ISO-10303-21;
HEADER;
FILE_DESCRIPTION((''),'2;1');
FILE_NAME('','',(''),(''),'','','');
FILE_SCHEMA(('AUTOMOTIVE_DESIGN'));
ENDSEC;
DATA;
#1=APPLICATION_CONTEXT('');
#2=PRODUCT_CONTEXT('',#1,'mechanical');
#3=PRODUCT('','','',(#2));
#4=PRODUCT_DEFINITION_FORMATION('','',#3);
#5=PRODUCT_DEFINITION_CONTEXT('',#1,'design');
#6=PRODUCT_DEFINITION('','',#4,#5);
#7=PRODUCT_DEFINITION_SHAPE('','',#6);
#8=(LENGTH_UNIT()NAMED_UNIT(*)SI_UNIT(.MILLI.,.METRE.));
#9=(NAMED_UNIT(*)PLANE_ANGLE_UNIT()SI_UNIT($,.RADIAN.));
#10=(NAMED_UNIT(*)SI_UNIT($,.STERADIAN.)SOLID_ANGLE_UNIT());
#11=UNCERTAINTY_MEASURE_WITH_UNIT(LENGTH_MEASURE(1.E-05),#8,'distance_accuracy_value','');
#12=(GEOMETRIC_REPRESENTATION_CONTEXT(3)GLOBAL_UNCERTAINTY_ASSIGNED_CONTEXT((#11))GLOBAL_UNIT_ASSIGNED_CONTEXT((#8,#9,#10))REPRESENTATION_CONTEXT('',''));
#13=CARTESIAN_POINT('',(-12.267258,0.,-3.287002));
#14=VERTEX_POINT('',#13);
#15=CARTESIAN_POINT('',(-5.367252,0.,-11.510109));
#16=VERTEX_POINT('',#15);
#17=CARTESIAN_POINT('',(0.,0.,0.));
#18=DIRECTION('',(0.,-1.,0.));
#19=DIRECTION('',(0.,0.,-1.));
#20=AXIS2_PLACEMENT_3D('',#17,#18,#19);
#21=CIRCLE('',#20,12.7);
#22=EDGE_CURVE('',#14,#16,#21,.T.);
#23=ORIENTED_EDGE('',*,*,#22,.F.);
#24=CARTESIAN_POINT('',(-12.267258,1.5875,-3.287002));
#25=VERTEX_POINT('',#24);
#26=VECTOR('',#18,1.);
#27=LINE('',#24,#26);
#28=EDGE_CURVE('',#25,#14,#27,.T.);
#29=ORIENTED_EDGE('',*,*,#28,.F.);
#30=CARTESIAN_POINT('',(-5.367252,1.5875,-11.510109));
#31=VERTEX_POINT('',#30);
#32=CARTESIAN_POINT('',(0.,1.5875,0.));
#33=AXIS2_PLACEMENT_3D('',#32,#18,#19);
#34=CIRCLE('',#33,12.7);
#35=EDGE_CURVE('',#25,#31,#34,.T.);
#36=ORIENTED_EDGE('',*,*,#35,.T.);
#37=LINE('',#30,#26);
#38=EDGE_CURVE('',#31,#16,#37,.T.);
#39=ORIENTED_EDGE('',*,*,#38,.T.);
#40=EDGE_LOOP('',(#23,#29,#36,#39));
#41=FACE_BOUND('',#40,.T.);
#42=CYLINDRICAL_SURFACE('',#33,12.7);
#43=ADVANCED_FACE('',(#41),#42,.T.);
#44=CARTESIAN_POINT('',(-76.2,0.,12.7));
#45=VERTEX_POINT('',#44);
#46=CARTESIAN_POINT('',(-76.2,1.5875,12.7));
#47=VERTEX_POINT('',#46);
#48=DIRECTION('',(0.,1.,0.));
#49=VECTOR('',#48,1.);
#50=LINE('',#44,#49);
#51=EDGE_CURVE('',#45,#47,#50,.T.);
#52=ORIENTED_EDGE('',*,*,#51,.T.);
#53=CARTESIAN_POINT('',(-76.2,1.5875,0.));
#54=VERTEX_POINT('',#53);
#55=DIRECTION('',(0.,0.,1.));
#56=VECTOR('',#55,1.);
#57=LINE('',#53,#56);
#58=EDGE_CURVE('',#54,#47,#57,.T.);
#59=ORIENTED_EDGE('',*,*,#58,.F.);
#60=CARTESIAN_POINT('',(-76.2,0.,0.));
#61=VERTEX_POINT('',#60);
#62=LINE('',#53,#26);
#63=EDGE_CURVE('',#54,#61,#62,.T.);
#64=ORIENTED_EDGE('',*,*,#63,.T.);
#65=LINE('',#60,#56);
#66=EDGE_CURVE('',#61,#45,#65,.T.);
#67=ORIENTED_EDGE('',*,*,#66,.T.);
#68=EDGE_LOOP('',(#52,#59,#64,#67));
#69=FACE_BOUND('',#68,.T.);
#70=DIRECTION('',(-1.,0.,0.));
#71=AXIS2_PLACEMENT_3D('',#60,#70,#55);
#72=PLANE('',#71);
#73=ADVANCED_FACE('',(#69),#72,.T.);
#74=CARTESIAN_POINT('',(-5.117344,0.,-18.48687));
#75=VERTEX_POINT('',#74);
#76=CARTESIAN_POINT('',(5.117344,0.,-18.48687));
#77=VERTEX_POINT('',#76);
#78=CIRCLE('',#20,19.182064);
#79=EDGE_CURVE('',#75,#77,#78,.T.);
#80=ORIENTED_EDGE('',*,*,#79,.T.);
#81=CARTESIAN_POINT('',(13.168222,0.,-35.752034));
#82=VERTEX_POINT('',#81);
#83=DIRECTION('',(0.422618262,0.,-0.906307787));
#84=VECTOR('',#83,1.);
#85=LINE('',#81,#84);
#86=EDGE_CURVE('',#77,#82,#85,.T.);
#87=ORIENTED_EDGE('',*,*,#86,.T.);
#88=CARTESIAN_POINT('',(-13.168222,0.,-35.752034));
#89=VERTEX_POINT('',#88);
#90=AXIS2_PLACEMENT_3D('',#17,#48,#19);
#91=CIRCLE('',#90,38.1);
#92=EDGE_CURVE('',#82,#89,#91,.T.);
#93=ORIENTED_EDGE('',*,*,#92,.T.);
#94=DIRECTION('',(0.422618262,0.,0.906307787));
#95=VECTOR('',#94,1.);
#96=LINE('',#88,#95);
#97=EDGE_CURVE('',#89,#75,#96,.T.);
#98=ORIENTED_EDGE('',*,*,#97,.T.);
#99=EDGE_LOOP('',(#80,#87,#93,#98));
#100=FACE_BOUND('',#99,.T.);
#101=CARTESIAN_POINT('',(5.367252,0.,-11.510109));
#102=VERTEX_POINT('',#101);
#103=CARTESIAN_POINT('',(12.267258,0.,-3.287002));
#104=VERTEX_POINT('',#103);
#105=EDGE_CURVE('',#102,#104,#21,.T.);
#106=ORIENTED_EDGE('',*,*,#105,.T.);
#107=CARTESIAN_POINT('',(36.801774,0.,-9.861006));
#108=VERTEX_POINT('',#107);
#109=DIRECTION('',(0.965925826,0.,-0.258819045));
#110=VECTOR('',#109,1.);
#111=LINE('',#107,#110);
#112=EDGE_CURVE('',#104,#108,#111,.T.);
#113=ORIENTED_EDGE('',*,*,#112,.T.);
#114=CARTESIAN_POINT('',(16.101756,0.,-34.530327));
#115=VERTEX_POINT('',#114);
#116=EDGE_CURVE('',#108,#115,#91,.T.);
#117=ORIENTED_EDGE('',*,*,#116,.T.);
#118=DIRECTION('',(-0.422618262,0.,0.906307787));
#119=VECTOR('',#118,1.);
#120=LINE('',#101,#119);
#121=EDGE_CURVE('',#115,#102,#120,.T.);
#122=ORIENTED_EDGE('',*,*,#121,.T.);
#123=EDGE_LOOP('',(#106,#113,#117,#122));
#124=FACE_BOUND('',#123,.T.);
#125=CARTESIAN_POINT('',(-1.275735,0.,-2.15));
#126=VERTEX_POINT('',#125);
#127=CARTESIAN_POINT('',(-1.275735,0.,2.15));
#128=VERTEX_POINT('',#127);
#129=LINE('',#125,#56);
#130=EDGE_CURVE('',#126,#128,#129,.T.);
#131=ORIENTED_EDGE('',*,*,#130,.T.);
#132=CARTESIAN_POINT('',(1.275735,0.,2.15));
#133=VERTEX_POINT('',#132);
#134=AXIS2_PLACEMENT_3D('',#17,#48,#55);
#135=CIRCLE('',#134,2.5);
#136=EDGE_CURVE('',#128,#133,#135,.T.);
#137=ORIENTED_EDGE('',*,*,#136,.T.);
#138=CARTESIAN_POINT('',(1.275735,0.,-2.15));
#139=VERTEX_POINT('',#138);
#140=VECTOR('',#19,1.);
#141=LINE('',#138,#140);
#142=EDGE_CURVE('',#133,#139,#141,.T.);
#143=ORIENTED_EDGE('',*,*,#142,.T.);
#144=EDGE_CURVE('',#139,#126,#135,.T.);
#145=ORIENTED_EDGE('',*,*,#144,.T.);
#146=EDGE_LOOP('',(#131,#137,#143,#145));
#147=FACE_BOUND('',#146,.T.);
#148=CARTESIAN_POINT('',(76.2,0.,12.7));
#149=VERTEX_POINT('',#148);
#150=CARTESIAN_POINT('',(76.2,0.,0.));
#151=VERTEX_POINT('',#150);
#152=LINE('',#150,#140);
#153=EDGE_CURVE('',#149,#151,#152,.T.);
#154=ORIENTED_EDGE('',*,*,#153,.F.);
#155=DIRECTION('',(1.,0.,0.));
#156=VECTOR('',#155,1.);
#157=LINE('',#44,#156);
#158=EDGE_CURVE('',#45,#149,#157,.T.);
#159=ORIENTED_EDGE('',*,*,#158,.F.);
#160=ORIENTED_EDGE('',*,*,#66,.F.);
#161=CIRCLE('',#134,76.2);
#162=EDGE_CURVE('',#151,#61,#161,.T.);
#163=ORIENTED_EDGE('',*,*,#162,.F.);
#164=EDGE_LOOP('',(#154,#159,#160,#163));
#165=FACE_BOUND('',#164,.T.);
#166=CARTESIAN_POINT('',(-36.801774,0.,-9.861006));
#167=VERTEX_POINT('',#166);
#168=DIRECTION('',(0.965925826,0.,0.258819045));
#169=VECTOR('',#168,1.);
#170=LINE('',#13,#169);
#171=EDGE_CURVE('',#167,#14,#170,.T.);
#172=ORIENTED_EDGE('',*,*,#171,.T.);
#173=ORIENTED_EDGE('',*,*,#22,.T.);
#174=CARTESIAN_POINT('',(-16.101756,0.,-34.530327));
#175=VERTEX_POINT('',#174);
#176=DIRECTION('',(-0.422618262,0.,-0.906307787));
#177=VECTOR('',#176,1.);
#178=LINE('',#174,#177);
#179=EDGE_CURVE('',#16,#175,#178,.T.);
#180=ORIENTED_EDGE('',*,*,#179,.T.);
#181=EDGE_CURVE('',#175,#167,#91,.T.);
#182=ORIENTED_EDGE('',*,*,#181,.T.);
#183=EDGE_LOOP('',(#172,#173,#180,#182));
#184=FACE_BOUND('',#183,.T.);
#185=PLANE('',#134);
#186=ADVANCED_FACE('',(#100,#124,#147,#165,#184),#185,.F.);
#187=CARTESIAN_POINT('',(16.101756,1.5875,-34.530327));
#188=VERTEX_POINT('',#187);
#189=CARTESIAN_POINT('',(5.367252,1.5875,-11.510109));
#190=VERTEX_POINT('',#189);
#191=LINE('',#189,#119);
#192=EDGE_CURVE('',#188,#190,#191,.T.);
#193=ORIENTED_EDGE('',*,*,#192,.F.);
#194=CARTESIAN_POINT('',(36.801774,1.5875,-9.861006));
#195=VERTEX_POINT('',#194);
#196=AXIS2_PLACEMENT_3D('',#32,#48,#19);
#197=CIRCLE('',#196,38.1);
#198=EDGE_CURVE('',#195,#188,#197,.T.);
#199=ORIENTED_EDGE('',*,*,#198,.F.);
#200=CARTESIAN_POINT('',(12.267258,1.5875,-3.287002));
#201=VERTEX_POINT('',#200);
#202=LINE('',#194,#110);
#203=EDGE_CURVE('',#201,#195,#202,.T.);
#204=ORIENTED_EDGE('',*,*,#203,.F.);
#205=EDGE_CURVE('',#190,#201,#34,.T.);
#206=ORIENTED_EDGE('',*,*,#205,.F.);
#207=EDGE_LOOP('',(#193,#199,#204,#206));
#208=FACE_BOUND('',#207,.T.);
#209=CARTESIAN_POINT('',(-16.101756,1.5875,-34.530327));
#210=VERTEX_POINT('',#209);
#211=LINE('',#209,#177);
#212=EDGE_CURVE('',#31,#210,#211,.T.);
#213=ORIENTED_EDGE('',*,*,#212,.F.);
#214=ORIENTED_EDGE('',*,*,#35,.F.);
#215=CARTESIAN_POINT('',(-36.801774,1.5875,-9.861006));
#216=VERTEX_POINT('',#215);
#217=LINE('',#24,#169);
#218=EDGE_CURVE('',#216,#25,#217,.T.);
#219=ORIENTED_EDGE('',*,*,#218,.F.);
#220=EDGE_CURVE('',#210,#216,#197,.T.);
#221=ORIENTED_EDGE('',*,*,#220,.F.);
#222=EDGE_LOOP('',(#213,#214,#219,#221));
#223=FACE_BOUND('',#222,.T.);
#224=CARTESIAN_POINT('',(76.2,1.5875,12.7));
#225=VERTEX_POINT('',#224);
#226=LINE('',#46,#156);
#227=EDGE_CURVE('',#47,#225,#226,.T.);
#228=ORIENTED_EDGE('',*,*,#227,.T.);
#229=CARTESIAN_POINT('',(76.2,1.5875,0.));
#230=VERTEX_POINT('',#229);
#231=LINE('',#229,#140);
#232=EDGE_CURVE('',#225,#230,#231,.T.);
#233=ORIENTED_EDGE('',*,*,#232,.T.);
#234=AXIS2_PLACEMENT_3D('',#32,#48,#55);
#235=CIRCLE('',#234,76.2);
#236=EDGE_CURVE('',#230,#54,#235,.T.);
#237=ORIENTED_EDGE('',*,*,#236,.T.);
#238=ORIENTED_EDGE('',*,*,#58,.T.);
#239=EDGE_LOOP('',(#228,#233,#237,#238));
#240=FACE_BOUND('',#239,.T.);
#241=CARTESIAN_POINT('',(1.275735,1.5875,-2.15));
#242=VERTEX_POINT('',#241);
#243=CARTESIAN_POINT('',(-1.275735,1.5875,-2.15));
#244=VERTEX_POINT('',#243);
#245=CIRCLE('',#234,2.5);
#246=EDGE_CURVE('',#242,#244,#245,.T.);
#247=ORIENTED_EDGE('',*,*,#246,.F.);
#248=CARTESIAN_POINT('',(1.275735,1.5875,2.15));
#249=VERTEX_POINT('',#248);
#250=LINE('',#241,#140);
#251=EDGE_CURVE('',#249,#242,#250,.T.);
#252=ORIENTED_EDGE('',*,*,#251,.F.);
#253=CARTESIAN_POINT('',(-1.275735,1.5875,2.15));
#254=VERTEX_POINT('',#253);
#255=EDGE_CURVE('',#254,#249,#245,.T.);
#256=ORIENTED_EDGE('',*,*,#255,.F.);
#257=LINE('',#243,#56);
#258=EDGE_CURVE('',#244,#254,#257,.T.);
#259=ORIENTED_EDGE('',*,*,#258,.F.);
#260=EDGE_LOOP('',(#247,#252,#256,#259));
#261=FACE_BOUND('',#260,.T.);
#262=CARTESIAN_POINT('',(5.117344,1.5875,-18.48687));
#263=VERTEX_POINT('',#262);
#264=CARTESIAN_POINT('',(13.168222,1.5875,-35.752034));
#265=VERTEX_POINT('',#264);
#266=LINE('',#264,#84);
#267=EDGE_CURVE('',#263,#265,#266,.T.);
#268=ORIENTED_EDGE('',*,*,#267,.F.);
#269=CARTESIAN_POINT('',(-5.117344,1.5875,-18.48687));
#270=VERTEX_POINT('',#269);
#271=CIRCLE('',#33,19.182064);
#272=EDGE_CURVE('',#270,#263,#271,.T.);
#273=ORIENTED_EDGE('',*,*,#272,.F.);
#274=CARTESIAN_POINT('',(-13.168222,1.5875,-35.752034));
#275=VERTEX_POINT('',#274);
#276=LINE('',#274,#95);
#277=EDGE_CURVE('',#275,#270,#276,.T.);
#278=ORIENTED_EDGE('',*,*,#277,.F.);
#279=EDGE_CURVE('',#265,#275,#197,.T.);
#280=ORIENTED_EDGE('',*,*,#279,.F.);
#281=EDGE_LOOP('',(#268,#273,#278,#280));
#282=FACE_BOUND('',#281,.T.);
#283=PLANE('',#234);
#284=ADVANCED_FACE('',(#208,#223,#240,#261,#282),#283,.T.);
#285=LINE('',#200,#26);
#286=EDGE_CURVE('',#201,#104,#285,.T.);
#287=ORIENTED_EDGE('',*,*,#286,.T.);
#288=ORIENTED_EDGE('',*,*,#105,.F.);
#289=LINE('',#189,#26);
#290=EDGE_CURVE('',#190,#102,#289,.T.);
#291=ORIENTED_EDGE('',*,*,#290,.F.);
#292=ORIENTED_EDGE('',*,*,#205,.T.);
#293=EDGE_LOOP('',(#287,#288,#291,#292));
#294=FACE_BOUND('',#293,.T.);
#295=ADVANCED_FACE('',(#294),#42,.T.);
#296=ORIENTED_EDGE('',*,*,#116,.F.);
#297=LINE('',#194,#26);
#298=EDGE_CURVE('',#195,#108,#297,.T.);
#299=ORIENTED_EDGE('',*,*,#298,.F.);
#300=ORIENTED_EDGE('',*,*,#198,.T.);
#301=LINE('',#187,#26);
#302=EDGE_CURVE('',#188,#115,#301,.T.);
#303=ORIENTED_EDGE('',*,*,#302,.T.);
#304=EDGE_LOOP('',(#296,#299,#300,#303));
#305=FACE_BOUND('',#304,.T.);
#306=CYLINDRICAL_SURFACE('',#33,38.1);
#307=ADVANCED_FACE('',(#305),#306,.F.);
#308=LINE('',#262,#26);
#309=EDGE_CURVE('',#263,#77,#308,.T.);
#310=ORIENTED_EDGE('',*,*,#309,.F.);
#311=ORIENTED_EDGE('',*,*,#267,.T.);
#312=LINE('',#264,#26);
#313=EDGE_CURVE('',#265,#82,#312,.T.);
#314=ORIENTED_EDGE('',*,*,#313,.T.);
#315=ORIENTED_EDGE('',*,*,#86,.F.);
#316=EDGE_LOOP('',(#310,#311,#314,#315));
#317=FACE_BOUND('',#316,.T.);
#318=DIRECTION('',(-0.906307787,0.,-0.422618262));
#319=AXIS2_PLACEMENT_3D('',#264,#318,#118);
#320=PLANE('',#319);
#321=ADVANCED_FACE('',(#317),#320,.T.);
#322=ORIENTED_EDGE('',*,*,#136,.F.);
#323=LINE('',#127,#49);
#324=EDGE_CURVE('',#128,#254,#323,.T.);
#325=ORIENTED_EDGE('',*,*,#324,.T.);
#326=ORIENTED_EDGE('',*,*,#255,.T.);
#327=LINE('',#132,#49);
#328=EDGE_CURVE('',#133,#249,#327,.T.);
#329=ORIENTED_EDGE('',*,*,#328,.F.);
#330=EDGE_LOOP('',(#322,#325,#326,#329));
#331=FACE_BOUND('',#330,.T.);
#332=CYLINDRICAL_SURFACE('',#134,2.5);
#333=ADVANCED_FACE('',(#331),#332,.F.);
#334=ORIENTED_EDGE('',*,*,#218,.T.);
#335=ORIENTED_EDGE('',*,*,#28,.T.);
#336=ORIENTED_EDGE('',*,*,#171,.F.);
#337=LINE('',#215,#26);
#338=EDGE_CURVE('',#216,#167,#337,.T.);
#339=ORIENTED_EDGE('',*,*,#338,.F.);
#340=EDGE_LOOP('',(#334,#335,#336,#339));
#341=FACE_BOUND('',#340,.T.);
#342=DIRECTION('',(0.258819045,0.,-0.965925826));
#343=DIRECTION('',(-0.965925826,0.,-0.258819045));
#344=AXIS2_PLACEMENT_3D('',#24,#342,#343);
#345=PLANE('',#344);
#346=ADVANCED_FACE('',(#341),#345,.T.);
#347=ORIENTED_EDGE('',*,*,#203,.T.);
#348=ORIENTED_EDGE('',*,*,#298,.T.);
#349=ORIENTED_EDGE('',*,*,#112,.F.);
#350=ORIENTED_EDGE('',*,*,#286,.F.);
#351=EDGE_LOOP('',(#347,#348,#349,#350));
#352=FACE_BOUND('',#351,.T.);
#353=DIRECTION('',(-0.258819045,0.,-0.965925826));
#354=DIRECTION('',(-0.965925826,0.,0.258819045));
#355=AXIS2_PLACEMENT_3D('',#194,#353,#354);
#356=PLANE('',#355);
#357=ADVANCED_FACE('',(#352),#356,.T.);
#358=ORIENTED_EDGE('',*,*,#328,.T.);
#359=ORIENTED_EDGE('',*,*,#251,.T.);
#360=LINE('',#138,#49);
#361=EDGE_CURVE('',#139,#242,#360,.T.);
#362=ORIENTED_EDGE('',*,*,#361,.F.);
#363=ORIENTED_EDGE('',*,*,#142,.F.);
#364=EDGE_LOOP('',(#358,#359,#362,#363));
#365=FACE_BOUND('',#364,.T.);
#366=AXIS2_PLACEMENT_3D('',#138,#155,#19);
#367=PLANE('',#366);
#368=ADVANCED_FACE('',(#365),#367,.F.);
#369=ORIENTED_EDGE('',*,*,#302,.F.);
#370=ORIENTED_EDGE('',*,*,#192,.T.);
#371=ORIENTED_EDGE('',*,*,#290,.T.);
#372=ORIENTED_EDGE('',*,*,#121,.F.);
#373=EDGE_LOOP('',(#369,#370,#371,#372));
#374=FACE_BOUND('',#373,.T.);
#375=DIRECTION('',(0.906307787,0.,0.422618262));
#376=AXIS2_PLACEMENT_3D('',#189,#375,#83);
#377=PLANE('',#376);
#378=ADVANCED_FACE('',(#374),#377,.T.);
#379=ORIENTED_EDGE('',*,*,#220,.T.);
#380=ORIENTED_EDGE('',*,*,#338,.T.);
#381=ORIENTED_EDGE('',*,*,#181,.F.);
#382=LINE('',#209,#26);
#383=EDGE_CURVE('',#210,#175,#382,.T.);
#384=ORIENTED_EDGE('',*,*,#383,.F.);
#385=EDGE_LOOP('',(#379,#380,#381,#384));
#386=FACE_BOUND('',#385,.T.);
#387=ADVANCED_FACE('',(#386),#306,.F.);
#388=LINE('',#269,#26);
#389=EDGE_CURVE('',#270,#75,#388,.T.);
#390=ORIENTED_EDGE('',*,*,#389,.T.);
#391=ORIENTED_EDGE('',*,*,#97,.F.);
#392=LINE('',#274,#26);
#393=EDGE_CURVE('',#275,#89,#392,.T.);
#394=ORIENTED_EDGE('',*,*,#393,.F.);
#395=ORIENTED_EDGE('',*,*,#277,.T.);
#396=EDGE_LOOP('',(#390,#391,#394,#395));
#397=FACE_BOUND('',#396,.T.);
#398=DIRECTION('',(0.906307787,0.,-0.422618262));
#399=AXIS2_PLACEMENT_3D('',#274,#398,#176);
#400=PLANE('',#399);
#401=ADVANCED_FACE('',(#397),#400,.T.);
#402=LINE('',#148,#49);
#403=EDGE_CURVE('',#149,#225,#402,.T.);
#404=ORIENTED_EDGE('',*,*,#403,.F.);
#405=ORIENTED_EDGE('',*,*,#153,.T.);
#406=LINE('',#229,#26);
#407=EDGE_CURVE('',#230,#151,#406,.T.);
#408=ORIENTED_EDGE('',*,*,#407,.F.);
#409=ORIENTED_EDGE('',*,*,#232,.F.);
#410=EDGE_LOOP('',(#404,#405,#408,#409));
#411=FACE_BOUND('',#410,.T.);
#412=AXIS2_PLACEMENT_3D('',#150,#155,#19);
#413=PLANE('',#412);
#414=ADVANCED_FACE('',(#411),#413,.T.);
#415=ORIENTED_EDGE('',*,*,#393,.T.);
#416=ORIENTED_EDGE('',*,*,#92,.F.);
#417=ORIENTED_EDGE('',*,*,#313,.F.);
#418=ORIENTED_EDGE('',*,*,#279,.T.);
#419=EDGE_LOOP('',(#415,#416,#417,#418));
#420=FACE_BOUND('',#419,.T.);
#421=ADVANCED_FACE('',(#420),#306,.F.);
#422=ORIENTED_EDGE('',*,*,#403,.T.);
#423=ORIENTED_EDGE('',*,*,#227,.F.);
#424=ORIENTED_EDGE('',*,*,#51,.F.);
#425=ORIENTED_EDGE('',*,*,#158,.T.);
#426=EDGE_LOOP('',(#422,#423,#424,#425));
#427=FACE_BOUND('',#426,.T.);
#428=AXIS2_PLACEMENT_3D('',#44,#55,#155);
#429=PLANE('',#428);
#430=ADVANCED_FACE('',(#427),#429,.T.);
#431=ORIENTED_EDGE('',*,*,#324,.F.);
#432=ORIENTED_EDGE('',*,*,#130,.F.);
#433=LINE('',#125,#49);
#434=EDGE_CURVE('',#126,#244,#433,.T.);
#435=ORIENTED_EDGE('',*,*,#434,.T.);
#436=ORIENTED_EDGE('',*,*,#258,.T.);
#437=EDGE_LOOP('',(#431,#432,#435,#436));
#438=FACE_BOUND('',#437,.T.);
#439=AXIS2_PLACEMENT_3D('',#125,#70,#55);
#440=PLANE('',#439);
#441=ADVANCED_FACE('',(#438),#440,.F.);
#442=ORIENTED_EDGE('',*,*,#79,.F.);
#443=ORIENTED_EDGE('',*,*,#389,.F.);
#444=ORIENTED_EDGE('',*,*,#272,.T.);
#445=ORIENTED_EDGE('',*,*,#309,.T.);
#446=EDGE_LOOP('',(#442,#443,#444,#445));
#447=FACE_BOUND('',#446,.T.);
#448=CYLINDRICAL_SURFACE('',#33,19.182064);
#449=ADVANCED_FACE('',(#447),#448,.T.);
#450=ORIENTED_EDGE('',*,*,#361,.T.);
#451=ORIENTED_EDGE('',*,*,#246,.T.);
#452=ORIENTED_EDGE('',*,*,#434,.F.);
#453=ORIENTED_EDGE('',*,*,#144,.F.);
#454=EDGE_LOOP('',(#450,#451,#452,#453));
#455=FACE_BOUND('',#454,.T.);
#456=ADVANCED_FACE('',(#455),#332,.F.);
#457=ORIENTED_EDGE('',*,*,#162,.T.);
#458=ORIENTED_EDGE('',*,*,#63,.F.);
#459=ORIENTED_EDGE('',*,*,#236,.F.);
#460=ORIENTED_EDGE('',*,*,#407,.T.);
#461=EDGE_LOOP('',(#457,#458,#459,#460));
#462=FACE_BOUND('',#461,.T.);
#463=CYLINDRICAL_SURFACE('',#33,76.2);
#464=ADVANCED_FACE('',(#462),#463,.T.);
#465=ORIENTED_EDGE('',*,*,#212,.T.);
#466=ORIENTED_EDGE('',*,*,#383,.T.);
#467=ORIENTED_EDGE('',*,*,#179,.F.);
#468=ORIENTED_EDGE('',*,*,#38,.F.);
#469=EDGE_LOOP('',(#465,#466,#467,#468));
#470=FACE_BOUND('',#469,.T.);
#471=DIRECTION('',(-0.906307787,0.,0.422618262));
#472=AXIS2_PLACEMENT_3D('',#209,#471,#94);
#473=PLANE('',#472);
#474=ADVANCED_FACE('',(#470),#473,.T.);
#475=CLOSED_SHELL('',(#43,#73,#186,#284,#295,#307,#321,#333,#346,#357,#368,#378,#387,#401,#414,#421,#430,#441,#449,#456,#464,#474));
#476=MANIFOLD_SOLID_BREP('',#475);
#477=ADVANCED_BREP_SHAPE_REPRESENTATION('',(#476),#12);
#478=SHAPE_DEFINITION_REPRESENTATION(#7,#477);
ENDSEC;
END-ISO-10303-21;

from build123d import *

# Parameters (mm, degrees)
BOSS_EXTRUDE1_DEPTH = 1.5875
SKETCH3_W           = 152.4
SKETCH3_H           = 12.7
BOSS_EXTRUDE3_DEPTH = 1.5875
CUT_EXTRUDE1_DEPTH  = 2.5875


with BuildPart() as part:
    # Sketch1 → Boss-Extrude1 (new body)
    with BuildSketch(Plane(origin=(0, 0, 0), x_dir=(1, 0, 0), z_dir=(0, 1, 0))):
        with BuildLine():
            Line((-76.2, 0), (76.2, 0))
            ThreePointArc((76.2, 0), (0, 76.2), (-76.2, 0))
        make_face()
        with BuildLine():
            Line((-12.267257994, 3.287001873), (-36.801773982, 9.861005618))
            ThreePointArc((-36.801773982, 9.861005618), (-29.186293283, 24.490207929), (-16.101755772, 34.530326686))
            Line((-16.101755772, 34.530326686), (-5.367251924, 11.510108895))
            ThreePointArc((-5.367251924, 11.510108895), (-9.728764428, 8.163402643), (-12.267257994, 3.287001873))
        make_face(mode=Mode.SUBTRACT)
        with BuildLine():
            Line((36.801773982, 9.861005619), (12.267257994, 3.287001873))
            ThreePointArc((12.267257994, 3.287001873), (9.728764427, 8.163402643), (5.367251924, 11.510108895))
            Line((5.367251924, 11.510108895), (16.101755772, 34.530326686))
            ThreePointArc((16.101755772, 34.530326686), (29.186293283, 24.490207929), (36.801773982, 9.861005619))
        make_face(mode=Mode.SUBTRACT)
        with BuildLine():
            Line((-13.168222272, 35.752033819), (-5.117344386, 18.486870476))
            ThreePointArc((-5.117344386, 18.486870476), (0, 19.182064372), (5.117344386, 18.486870476))
            Line((5.117344386, 18.486870476), (13.168222272, 35.752033819))
            ThreePointArc((13.168222272, 35.752033819), (0, 38.1), (-13.168222272, 35.752033819))
        make_face(mode=Mode.SUBTRACT)
    extrude(amount=BOSS_EXTRUDE1_DEPTH)

    # Sketch3 → Boss-Extrude3 (add)
    with BuildSketch(Plane(origin=(0, 1.5875, 0), x_dir=(1, 0, 0), z_dir=(0, 1, 0))):
        with Locations((0, -6.35)):
            Rectangle(SKETCH3_W, SKETCH3_H)
    extrude(amount=-BOSS_EXTRUDE3_DEPTH)

    # Sketch4 → Cut-Extrude1 (cut, through all)
    with BuildSketch(Plane(origin=(0, 1.5875, 0), x_dir=(1, 0, 0), z_dir=(0, 1, 0))):
        with BuildLine():
            Line((-1.275735082, 2.15), (-1.275735082, -2.15))
            ThreePointArc((-1.275735082, -2.15), (0, -2.5), (1.275735082, -2.15))
            Line((1.275735082, -2.15), (1.275735082, 2.15))
            ThreePointArc((1.275735082, 2.15), (0, 2.5), (-1.275735082, 2.15))
        make_face()
    extrude(amount=-CUT_EXTRUDE1_DEPTH, mode=Mode.SUBTRACT)


solid = part.part
